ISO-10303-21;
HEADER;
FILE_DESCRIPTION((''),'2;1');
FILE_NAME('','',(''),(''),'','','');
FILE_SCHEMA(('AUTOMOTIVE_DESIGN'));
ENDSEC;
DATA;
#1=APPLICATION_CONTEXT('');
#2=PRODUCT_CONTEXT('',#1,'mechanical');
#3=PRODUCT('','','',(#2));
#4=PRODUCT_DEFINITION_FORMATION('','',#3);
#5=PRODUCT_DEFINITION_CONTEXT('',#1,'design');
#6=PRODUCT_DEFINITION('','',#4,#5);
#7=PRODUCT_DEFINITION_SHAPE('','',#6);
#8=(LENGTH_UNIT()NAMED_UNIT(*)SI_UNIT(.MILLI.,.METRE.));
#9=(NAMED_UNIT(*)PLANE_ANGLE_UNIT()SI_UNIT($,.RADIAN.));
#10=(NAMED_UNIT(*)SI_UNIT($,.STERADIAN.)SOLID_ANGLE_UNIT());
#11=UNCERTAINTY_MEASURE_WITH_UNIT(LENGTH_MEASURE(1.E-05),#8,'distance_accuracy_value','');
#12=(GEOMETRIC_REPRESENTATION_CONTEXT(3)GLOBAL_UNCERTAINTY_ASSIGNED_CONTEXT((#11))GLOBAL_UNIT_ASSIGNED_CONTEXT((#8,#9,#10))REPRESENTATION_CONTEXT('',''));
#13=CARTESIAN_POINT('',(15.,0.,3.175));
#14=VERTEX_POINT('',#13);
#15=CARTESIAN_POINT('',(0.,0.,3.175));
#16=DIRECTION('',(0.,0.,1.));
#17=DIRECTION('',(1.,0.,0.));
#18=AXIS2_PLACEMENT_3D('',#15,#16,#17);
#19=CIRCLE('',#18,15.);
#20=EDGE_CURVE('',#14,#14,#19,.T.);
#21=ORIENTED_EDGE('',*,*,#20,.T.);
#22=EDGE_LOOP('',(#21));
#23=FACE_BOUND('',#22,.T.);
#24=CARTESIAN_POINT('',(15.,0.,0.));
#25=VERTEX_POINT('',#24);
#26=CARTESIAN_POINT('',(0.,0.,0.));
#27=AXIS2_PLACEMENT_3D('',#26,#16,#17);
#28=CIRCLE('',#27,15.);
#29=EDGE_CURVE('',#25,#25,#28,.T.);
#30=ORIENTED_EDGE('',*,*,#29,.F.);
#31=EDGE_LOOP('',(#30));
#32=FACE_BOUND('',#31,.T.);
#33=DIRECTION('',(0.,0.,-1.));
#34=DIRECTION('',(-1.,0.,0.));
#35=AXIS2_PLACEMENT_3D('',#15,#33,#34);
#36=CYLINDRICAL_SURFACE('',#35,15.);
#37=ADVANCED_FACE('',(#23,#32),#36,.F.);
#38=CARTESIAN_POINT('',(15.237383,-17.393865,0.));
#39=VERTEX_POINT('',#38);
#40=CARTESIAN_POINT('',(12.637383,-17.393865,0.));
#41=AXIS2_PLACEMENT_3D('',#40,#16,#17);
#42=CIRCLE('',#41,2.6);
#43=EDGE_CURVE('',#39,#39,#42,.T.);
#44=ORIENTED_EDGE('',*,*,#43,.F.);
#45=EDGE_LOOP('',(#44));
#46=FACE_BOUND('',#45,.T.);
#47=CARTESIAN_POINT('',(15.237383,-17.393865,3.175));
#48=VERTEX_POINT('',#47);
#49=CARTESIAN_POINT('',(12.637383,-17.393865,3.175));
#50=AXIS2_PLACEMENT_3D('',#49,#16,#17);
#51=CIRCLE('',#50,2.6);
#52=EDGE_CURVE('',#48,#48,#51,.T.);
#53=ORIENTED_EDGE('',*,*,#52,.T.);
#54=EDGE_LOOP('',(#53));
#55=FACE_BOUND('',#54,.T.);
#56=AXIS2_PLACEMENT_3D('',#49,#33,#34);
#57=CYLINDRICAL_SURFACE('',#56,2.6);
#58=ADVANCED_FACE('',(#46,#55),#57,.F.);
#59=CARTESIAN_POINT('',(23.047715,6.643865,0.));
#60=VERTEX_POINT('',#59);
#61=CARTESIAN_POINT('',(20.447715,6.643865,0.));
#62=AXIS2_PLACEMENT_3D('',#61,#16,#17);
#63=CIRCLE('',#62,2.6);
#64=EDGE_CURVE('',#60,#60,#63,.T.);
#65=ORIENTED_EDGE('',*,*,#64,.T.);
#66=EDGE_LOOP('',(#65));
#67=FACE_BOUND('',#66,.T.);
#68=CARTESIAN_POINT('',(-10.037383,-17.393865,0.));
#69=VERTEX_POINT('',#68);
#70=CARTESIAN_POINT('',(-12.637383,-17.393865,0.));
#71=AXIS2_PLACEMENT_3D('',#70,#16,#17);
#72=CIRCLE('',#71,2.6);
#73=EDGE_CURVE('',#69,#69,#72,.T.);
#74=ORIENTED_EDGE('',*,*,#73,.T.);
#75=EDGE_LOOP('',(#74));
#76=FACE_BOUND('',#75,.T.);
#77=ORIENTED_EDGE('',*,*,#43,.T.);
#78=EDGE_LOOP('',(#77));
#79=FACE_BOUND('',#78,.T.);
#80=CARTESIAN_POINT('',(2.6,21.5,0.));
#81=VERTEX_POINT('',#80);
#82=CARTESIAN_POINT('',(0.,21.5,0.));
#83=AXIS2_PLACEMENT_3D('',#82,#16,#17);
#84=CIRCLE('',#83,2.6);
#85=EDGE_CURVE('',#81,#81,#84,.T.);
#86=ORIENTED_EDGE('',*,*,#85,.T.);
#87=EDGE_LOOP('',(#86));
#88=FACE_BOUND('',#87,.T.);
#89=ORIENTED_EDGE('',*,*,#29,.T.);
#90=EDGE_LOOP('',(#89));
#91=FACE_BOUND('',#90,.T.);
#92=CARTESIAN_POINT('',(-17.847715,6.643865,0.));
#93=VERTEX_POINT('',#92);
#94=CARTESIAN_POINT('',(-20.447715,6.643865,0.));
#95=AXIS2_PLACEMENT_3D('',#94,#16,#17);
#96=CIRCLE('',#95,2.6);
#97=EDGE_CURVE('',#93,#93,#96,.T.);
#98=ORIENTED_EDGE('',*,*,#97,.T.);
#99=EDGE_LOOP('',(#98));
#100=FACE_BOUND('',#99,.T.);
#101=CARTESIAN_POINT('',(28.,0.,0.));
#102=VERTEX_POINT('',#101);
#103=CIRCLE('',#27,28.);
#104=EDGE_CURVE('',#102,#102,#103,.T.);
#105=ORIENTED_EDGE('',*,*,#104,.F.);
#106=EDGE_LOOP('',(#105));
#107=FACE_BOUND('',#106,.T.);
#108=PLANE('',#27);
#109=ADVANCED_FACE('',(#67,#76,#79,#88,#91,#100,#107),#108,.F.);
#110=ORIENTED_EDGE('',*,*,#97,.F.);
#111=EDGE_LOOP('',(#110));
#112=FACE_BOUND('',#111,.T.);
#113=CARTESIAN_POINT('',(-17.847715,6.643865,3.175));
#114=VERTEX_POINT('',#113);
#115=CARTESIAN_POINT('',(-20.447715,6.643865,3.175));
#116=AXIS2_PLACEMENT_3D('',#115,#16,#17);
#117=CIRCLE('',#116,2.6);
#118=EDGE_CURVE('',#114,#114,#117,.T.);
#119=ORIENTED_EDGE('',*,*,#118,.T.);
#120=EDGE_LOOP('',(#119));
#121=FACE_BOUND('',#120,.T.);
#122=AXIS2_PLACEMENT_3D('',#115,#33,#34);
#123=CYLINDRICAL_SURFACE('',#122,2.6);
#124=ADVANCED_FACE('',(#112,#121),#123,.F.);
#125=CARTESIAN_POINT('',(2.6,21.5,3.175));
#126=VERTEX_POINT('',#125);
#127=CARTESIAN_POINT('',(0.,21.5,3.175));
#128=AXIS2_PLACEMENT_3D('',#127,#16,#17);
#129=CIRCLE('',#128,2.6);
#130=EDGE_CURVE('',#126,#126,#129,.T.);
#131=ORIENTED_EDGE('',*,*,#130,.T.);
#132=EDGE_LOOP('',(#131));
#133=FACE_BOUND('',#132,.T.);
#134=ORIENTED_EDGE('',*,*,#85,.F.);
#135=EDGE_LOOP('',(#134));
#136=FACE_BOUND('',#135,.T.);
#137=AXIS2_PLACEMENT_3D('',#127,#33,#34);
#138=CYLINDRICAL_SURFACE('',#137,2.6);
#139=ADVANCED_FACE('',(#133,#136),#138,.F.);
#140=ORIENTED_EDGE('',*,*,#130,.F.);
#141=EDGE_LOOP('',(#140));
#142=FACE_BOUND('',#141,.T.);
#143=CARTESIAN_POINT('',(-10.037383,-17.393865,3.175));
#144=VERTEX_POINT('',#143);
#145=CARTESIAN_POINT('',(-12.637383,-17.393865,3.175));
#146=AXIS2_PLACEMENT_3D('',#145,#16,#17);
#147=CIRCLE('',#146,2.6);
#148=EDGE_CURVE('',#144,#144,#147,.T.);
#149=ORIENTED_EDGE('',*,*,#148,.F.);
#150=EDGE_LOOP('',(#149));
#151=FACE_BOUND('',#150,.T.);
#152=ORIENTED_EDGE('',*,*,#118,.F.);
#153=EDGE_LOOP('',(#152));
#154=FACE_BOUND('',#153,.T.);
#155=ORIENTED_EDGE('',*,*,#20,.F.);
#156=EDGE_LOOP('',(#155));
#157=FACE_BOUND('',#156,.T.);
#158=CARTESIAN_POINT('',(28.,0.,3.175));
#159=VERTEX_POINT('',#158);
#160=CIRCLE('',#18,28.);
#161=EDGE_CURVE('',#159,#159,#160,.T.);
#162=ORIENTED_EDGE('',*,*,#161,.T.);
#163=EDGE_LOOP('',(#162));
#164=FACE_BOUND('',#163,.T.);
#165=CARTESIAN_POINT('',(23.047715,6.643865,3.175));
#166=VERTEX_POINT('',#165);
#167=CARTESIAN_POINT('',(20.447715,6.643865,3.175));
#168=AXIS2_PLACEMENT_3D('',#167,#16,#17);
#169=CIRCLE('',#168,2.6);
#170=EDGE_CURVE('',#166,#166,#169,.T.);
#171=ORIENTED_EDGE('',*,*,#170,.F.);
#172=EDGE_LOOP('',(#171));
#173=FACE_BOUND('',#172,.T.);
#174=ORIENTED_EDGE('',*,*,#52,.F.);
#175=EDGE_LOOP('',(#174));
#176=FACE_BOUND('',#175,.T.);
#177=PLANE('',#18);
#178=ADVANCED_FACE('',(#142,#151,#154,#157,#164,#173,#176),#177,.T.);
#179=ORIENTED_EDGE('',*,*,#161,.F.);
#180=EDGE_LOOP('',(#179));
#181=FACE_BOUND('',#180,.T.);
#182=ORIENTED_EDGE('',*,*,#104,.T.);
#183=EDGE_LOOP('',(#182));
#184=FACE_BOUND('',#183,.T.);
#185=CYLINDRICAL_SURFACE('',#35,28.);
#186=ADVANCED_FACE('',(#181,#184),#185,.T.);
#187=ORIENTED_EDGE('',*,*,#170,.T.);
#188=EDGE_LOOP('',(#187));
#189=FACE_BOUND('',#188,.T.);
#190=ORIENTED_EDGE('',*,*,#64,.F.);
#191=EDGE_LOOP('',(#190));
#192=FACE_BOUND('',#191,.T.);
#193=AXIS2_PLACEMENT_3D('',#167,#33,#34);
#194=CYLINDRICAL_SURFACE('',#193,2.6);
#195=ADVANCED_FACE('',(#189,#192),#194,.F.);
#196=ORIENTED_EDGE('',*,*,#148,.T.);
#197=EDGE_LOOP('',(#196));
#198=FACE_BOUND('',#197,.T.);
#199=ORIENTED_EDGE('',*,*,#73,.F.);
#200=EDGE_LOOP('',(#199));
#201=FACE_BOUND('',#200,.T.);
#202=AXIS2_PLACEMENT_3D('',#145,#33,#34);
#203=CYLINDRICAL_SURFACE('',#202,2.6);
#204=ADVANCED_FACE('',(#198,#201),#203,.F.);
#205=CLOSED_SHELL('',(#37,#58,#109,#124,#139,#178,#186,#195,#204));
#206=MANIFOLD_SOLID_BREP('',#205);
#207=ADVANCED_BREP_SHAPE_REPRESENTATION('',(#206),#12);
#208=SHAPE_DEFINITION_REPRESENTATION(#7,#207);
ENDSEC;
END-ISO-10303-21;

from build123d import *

# Parameters (mm, degrees)
SKETCH1_R           = 28
SKETCH1_R_2         = 15
SKETCH1_R_3         = 2.6
BOSS_EXTRUDE1_DEPTH = 3.175


with BuildPart() as part:
    # Sketch1 → Boss-Extrude1 (new body)
    with BuildSketch(Plane.XY):
        Circle(SKETCH1_R)
        Circle(SKETCH1_R_2, mode=Mode.SUBTRACT)
        with Locations((0, 21.5)):
            Circle(SKETCH1_R_3, mode=Mode.SUBTRACT)
        with Locations((20.4477151, 6.643865379)):
            Circle(SKETCH1_R_3, mode=Mode.SUBTRACT)
        with Locations((12.637382924, -17.393865379)):
            Circle(SKETCH1_R_3, mode=Mode.SUBTRACT)
        with Locations((-12.637382924, -17.393865379)):
            Circle(SKETCH1_R_3, mode=Mode.SUBTRACT)
        with Locations((-20.4477151, 6.643865379)):
            Circle(SKETCH1_R_3, mode=Mode.SUBTRACT)
    extrude(amount=BOSS_EXTRUDE1_DEPTH)


solid = part.part
